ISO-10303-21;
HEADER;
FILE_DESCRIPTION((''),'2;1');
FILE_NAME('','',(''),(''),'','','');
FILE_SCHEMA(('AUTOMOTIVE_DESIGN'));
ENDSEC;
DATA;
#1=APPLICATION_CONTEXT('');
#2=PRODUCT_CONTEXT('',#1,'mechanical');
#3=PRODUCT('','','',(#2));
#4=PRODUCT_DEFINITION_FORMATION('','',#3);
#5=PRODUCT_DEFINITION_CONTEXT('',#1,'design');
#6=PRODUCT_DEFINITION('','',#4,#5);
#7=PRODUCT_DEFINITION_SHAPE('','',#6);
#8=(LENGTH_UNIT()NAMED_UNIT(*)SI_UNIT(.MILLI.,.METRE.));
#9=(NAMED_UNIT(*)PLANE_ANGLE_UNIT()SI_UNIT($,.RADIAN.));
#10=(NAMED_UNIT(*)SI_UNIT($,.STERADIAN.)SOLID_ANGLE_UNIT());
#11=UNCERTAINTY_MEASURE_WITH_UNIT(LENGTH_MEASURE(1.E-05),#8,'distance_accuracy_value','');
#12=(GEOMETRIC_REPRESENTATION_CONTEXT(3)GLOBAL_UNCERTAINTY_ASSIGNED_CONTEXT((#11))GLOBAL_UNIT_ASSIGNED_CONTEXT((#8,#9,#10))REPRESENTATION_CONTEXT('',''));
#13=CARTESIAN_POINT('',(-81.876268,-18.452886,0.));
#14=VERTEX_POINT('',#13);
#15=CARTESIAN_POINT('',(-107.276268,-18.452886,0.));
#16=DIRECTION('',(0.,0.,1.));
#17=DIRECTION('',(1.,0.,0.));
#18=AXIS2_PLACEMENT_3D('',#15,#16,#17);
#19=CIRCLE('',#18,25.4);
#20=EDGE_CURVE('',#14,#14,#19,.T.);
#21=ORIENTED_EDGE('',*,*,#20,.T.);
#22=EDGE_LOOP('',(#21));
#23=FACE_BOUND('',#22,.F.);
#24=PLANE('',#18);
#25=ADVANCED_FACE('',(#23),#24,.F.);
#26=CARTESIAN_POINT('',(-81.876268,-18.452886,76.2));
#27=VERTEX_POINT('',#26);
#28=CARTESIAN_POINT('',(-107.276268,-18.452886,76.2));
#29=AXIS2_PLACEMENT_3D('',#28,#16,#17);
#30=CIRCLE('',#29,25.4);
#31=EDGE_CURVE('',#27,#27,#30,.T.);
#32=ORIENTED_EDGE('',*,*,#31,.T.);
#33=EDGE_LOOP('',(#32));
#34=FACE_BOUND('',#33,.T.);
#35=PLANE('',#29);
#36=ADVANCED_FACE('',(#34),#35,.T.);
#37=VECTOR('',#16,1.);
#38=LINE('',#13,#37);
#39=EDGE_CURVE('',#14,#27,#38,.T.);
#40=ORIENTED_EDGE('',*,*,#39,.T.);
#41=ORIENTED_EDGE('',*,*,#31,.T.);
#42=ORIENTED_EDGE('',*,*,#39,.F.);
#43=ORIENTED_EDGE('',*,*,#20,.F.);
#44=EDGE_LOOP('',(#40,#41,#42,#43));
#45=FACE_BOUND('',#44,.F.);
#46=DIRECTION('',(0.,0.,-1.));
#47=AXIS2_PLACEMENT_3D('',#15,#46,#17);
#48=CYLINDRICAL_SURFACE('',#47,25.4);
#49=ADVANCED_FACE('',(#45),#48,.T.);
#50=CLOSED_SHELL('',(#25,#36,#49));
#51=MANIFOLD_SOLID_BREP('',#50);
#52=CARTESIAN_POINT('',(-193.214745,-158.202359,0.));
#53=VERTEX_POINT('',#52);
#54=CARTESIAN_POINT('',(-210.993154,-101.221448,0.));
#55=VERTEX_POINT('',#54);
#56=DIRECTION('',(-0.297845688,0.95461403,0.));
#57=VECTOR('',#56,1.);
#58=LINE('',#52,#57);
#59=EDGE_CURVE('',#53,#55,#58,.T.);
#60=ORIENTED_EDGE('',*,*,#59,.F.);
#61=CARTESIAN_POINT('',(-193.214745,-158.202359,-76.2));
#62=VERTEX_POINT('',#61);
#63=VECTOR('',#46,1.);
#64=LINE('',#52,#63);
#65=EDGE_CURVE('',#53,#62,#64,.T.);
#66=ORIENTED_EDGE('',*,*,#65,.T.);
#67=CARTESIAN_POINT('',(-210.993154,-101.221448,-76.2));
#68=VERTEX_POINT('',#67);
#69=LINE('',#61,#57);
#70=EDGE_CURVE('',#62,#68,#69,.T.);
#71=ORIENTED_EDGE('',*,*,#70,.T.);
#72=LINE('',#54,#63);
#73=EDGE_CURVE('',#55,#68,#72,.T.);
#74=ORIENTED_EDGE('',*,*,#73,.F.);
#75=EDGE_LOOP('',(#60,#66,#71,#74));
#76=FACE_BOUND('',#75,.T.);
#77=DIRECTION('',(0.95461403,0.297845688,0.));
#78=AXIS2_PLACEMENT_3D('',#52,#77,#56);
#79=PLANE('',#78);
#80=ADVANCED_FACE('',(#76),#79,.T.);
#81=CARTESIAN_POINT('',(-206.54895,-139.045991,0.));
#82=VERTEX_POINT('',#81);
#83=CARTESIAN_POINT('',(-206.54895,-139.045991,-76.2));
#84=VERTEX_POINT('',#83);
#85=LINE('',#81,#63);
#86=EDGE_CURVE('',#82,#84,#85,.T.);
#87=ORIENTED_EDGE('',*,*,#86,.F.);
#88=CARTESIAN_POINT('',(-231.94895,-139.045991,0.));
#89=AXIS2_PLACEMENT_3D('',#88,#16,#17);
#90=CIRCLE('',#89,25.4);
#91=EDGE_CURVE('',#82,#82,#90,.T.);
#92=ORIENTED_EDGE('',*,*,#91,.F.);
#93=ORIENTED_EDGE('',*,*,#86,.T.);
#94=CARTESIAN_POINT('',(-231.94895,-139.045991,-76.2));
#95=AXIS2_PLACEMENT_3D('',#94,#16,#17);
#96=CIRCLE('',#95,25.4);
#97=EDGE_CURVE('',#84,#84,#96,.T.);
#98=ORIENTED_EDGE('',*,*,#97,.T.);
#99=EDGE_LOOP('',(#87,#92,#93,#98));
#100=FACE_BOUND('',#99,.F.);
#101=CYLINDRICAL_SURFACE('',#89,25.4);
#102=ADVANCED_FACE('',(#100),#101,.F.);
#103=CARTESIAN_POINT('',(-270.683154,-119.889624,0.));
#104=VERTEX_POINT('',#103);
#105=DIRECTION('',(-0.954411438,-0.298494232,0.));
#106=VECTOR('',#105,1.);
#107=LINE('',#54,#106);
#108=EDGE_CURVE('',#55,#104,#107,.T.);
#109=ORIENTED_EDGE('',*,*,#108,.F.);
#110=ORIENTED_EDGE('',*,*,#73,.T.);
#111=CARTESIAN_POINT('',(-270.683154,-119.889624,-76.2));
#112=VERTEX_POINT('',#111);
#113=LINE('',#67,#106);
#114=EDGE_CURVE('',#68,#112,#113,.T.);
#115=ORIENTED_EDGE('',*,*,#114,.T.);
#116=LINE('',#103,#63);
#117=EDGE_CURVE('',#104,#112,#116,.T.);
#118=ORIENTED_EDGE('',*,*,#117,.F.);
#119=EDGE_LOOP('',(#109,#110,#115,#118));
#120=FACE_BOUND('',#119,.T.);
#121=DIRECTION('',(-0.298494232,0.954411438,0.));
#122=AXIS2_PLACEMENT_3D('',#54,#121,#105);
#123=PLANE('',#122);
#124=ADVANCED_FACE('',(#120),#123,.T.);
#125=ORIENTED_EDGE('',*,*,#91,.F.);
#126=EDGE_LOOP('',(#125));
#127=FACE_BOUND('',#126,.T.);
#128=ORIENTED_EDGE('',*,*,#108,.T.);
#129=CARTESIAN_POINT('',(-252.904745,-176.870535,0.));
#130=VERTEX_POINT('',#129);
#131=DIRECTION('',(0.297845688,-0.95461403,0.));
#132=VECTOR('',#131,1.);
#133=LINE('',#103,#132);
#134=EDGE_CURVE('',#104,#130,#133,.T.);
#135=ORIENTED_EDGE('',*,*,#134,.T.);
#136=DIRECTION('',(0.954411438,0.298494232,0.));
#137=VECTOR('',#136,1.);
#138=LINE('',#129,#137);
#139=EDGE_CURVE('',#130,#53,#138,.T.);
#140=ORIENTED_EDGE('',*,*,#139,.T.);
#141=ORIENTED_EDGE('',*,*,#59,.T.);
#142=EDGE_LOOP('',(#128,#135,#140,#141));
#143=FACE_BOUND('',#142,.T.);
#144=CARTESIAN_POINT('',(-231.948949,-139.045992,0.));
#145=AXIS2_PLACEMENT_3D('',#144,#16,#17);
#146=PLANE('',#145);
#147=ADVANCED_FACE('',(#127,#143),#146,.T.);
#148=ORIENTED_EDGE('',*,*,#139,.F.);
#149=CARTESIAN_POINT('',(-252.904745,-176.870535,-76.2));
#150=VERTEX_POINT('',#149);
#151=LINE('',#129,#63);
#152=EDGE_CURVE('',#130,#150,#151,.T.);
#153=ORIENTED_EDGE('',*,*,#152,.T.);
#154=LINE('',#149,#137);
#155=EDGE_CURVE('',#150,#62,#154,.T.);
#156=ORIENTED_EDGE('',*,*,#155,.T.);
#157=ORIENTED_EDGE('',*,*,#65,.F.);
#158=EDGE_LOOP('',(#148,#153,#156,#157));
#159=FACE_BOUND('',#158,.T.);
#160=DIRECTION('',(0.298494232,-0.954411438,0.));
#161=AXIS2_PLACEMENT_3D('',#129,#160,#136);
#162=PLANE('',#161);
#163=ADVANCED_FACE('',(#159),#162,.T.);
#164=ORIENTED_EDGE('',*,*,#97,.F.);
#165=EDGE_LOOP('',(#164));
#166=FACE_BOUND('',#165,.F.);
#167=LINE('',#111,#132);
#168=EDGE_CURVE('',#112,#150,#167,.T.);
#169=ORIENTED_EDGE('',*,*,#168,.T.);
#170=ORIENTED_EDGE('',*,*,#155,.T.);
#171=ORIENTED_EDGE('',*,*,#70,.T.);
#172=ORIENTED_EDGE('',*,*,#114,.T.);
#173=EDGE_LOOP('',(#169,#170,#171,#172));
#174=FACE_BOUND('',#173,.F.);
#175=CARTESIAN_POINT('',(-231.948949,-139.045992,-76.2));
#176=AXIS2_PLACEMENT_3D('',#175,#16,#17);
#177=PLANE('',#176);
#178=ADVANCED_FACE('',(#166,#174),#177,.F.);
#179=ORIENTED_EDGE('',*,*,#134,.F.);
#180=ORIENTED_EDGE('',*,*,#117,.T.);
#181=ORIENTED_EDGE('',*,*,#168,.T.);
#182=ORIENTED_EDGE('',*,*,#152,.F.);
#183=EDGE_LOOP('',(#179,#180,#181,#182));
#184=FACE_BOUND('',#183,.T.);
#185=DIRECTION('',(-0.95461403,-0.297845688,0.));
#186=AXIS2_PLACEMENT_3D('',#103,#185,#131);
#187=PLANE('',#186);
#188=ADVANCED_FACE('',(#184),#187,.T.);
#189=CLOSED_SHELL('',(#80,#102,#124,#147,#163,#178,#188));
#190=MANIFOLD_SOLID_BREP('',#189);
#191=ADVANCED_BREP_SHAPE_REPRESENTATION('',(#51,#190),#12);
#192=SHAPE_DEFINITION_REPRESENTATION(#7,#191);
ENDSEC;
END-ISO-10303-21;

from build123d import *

# Parameters (mm, degrees)
F0_R     = 25.4
F1_DEPTH = 76.2
F2_R     = 25.4
F3_DEPTH = 76.2


with BuildPart() as f1:
    # F0 (on Top) → F1 (new body)
    with BuildSketch(Plane.XY):
        with Locations((-107.276268, -18.452886)):
            Circle(F0_R)
    extrude(amount=F1_DEPTH)


with BuildPart() as f3:
    # F2 (on Top) → F3 (new body)
    with BuildSketch(Plane.XY):
        Polygon((-210.993154, -101.221448), (-270.683154, -119.889624), (-252.904745, -176.870535), (-193.214745, -158.202359), align=None)
        with Locations((-231.94895, -139.045991)):
            Circle(F2_R, mode=Mode.SUBTRACT)
    extrude(amount=-F3_DEPTH)


solid = Compound([f1.part, f3.part])
